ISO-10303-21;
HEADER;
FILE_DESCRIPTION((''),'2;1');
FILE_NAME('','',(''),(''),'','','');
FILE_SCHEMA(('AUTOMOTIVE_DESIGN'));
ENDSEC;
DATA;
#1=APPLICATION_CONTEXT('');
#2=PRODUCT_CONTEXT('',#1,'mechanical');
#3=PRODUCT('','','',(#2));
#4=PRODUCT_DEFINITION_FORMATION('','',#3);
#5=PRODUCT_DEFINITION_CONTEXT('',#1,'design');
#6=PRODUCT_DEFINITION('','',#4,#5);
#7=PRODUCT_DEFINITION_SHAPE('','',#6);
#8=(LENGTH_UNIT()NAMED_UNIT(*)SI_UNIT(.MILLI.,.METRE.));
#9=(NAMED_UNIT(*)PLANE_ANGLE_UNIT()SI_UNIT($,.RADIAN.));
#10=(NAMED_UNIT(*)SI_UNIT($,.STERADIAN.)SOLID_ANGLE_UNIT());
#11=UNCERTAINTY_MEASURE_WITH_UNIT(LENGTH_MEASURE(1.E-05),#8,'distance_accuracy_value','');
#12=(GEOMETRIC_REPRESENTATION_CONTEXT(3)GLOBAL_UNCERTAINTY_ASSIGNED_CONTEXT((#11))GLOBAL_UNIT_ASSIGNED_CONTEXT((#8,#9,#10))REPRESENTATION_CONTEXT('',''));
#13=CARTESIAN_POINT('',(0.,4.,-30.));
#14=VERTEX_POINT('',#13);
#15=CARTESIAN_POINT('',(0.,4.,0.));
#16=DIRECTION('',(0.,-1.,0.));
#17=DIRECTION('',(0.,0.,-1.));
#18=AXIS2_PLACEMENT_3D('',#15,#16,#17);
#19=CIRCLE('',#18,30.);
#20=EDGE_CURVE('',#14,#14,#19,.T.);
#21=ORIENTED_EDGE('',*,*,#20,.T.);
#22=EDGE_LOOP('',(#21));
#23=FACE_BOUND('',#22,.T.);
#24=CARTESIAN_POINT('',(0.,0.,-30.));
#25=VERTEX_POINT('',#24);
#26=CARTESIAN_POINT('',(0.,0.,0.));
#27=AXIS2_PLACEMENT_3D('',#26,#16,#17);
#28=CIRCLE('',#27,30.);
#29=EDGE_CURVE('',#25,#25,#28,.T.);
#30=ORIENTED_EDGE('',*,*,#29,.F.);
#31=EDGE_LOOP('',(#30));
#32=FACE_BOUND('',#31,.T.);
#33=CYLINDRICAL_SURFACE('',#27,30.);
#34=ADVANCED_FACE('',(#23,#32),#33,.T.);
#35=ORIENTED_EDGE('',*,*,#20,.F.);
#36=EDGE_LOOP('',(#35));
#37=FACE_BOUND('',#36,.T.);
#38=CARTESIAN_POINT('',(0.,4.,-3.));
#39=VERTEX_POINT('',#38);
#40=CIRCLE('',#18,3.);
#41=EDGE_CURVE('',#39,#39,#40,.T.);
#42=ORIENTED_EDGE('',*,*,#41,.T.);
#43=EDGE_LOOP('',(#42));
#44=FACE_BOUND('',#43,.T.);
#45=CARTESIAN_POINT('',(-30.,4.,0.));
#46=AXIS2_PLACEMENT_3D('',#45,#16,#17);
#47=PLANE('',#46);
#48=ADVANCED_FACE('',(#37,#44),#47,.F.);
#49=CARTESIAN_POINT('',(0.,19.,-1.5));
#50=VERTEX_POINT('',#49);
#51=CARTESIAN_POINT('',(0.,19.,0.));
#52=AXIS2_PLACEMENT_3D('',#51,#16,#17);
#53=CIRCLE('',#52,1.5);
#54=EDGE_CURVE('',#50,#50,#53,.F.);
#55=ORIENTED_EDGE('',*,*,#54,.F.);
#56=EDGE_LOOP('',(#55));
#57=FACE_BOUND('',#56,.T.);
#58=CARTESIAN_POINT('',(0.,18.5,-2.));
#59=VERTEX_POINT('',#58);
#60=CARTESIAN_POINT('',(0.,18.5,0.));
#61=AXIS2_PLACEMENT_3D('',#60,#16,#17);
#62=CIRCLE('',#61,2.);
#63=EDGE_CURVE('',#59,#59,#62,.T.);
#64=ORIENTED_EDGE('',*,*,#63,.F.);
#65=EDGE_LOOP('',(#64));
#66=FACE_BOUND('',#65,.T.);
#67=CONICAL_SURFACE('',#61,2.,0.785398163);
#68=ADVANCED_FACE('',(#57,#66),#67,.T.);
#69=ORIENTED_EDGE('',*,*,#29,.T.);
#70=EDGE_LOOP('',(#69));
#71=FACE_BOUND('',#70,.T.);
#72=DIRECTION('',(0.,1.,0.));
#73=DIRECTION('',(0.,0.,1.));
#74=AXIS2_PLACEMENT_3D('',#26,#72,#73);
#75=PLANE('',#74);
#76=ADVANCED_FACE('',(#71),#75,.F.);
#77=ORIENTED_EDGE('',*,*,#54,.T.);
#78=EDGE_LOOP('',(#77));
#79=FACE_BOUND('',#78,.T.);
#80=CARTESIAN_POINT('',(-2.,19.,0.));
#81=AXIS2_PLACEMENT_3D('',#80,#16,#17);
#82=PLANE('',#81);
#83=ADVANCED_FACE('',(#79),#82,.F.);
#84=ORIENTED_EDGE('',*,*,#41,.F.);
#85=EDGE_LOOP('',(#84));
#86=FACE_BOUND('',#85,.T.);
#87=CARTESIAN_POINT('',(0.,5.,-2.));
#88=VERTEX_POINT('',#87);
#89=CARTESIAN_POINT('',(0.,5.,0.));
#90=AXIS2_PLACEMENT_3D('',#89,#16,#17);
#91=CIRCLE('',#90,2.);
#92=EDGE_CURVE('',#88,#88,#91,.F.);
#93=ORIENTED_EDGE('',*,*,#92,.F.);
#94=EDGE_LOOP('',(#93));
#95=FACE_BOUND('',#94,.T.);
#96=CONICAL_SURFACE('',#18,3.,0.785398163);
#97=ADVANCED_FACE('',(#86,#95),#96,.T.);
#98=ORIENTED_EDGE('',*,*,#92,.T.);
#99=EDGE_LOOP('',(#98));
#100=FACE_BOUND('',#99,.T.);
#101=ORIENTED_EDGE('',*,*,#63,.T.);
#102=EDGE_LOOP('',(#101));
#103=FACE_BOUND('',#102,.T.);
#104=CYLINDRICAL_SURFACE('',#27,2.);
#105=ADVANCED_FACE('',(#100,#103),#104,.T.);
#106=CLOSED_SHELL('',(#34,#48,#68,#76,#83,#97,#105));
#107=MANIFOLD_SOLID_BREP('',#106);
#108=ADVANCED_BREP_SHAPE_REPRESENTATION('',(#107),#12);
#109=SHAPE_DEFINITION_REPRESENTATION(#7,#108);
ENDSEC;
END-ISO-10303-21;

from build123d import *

# Parameters (mm, degrees)
CHANFREIN1_SIZE = 1
CHANFREIN2_SIZE = 0.5


with BuildPart() as part:
    # Esquisse1 → Révolution1 (revolve)
    with BuildSketch(Plane.XY):
        Polygon((0, 0), (-30, 0), (-30, 4), (-2, 4), (-2, 19), (0, 19), align=None)
    revolve(axis=Axis((0, 0, 0), (0, 1, 0)))

    # Chanfrein1
    chanfrein1_edges = [part.edges().sort_by_distance(p)[0] for p in [
        (2, 4, 0),
    ]]
    chamfer(chanfrein1_edges, length=CHANFREIN1_SIZE)

    # Chanfrein2
    chanfrein2_edges = [part.edges().sort_by_distance(p)[0] for p in [
        (2, 19, 0),
    ]]
    chamfer(chanfrein2_edges, length=CHANFREIN2_SIZE)


solid = part.part
